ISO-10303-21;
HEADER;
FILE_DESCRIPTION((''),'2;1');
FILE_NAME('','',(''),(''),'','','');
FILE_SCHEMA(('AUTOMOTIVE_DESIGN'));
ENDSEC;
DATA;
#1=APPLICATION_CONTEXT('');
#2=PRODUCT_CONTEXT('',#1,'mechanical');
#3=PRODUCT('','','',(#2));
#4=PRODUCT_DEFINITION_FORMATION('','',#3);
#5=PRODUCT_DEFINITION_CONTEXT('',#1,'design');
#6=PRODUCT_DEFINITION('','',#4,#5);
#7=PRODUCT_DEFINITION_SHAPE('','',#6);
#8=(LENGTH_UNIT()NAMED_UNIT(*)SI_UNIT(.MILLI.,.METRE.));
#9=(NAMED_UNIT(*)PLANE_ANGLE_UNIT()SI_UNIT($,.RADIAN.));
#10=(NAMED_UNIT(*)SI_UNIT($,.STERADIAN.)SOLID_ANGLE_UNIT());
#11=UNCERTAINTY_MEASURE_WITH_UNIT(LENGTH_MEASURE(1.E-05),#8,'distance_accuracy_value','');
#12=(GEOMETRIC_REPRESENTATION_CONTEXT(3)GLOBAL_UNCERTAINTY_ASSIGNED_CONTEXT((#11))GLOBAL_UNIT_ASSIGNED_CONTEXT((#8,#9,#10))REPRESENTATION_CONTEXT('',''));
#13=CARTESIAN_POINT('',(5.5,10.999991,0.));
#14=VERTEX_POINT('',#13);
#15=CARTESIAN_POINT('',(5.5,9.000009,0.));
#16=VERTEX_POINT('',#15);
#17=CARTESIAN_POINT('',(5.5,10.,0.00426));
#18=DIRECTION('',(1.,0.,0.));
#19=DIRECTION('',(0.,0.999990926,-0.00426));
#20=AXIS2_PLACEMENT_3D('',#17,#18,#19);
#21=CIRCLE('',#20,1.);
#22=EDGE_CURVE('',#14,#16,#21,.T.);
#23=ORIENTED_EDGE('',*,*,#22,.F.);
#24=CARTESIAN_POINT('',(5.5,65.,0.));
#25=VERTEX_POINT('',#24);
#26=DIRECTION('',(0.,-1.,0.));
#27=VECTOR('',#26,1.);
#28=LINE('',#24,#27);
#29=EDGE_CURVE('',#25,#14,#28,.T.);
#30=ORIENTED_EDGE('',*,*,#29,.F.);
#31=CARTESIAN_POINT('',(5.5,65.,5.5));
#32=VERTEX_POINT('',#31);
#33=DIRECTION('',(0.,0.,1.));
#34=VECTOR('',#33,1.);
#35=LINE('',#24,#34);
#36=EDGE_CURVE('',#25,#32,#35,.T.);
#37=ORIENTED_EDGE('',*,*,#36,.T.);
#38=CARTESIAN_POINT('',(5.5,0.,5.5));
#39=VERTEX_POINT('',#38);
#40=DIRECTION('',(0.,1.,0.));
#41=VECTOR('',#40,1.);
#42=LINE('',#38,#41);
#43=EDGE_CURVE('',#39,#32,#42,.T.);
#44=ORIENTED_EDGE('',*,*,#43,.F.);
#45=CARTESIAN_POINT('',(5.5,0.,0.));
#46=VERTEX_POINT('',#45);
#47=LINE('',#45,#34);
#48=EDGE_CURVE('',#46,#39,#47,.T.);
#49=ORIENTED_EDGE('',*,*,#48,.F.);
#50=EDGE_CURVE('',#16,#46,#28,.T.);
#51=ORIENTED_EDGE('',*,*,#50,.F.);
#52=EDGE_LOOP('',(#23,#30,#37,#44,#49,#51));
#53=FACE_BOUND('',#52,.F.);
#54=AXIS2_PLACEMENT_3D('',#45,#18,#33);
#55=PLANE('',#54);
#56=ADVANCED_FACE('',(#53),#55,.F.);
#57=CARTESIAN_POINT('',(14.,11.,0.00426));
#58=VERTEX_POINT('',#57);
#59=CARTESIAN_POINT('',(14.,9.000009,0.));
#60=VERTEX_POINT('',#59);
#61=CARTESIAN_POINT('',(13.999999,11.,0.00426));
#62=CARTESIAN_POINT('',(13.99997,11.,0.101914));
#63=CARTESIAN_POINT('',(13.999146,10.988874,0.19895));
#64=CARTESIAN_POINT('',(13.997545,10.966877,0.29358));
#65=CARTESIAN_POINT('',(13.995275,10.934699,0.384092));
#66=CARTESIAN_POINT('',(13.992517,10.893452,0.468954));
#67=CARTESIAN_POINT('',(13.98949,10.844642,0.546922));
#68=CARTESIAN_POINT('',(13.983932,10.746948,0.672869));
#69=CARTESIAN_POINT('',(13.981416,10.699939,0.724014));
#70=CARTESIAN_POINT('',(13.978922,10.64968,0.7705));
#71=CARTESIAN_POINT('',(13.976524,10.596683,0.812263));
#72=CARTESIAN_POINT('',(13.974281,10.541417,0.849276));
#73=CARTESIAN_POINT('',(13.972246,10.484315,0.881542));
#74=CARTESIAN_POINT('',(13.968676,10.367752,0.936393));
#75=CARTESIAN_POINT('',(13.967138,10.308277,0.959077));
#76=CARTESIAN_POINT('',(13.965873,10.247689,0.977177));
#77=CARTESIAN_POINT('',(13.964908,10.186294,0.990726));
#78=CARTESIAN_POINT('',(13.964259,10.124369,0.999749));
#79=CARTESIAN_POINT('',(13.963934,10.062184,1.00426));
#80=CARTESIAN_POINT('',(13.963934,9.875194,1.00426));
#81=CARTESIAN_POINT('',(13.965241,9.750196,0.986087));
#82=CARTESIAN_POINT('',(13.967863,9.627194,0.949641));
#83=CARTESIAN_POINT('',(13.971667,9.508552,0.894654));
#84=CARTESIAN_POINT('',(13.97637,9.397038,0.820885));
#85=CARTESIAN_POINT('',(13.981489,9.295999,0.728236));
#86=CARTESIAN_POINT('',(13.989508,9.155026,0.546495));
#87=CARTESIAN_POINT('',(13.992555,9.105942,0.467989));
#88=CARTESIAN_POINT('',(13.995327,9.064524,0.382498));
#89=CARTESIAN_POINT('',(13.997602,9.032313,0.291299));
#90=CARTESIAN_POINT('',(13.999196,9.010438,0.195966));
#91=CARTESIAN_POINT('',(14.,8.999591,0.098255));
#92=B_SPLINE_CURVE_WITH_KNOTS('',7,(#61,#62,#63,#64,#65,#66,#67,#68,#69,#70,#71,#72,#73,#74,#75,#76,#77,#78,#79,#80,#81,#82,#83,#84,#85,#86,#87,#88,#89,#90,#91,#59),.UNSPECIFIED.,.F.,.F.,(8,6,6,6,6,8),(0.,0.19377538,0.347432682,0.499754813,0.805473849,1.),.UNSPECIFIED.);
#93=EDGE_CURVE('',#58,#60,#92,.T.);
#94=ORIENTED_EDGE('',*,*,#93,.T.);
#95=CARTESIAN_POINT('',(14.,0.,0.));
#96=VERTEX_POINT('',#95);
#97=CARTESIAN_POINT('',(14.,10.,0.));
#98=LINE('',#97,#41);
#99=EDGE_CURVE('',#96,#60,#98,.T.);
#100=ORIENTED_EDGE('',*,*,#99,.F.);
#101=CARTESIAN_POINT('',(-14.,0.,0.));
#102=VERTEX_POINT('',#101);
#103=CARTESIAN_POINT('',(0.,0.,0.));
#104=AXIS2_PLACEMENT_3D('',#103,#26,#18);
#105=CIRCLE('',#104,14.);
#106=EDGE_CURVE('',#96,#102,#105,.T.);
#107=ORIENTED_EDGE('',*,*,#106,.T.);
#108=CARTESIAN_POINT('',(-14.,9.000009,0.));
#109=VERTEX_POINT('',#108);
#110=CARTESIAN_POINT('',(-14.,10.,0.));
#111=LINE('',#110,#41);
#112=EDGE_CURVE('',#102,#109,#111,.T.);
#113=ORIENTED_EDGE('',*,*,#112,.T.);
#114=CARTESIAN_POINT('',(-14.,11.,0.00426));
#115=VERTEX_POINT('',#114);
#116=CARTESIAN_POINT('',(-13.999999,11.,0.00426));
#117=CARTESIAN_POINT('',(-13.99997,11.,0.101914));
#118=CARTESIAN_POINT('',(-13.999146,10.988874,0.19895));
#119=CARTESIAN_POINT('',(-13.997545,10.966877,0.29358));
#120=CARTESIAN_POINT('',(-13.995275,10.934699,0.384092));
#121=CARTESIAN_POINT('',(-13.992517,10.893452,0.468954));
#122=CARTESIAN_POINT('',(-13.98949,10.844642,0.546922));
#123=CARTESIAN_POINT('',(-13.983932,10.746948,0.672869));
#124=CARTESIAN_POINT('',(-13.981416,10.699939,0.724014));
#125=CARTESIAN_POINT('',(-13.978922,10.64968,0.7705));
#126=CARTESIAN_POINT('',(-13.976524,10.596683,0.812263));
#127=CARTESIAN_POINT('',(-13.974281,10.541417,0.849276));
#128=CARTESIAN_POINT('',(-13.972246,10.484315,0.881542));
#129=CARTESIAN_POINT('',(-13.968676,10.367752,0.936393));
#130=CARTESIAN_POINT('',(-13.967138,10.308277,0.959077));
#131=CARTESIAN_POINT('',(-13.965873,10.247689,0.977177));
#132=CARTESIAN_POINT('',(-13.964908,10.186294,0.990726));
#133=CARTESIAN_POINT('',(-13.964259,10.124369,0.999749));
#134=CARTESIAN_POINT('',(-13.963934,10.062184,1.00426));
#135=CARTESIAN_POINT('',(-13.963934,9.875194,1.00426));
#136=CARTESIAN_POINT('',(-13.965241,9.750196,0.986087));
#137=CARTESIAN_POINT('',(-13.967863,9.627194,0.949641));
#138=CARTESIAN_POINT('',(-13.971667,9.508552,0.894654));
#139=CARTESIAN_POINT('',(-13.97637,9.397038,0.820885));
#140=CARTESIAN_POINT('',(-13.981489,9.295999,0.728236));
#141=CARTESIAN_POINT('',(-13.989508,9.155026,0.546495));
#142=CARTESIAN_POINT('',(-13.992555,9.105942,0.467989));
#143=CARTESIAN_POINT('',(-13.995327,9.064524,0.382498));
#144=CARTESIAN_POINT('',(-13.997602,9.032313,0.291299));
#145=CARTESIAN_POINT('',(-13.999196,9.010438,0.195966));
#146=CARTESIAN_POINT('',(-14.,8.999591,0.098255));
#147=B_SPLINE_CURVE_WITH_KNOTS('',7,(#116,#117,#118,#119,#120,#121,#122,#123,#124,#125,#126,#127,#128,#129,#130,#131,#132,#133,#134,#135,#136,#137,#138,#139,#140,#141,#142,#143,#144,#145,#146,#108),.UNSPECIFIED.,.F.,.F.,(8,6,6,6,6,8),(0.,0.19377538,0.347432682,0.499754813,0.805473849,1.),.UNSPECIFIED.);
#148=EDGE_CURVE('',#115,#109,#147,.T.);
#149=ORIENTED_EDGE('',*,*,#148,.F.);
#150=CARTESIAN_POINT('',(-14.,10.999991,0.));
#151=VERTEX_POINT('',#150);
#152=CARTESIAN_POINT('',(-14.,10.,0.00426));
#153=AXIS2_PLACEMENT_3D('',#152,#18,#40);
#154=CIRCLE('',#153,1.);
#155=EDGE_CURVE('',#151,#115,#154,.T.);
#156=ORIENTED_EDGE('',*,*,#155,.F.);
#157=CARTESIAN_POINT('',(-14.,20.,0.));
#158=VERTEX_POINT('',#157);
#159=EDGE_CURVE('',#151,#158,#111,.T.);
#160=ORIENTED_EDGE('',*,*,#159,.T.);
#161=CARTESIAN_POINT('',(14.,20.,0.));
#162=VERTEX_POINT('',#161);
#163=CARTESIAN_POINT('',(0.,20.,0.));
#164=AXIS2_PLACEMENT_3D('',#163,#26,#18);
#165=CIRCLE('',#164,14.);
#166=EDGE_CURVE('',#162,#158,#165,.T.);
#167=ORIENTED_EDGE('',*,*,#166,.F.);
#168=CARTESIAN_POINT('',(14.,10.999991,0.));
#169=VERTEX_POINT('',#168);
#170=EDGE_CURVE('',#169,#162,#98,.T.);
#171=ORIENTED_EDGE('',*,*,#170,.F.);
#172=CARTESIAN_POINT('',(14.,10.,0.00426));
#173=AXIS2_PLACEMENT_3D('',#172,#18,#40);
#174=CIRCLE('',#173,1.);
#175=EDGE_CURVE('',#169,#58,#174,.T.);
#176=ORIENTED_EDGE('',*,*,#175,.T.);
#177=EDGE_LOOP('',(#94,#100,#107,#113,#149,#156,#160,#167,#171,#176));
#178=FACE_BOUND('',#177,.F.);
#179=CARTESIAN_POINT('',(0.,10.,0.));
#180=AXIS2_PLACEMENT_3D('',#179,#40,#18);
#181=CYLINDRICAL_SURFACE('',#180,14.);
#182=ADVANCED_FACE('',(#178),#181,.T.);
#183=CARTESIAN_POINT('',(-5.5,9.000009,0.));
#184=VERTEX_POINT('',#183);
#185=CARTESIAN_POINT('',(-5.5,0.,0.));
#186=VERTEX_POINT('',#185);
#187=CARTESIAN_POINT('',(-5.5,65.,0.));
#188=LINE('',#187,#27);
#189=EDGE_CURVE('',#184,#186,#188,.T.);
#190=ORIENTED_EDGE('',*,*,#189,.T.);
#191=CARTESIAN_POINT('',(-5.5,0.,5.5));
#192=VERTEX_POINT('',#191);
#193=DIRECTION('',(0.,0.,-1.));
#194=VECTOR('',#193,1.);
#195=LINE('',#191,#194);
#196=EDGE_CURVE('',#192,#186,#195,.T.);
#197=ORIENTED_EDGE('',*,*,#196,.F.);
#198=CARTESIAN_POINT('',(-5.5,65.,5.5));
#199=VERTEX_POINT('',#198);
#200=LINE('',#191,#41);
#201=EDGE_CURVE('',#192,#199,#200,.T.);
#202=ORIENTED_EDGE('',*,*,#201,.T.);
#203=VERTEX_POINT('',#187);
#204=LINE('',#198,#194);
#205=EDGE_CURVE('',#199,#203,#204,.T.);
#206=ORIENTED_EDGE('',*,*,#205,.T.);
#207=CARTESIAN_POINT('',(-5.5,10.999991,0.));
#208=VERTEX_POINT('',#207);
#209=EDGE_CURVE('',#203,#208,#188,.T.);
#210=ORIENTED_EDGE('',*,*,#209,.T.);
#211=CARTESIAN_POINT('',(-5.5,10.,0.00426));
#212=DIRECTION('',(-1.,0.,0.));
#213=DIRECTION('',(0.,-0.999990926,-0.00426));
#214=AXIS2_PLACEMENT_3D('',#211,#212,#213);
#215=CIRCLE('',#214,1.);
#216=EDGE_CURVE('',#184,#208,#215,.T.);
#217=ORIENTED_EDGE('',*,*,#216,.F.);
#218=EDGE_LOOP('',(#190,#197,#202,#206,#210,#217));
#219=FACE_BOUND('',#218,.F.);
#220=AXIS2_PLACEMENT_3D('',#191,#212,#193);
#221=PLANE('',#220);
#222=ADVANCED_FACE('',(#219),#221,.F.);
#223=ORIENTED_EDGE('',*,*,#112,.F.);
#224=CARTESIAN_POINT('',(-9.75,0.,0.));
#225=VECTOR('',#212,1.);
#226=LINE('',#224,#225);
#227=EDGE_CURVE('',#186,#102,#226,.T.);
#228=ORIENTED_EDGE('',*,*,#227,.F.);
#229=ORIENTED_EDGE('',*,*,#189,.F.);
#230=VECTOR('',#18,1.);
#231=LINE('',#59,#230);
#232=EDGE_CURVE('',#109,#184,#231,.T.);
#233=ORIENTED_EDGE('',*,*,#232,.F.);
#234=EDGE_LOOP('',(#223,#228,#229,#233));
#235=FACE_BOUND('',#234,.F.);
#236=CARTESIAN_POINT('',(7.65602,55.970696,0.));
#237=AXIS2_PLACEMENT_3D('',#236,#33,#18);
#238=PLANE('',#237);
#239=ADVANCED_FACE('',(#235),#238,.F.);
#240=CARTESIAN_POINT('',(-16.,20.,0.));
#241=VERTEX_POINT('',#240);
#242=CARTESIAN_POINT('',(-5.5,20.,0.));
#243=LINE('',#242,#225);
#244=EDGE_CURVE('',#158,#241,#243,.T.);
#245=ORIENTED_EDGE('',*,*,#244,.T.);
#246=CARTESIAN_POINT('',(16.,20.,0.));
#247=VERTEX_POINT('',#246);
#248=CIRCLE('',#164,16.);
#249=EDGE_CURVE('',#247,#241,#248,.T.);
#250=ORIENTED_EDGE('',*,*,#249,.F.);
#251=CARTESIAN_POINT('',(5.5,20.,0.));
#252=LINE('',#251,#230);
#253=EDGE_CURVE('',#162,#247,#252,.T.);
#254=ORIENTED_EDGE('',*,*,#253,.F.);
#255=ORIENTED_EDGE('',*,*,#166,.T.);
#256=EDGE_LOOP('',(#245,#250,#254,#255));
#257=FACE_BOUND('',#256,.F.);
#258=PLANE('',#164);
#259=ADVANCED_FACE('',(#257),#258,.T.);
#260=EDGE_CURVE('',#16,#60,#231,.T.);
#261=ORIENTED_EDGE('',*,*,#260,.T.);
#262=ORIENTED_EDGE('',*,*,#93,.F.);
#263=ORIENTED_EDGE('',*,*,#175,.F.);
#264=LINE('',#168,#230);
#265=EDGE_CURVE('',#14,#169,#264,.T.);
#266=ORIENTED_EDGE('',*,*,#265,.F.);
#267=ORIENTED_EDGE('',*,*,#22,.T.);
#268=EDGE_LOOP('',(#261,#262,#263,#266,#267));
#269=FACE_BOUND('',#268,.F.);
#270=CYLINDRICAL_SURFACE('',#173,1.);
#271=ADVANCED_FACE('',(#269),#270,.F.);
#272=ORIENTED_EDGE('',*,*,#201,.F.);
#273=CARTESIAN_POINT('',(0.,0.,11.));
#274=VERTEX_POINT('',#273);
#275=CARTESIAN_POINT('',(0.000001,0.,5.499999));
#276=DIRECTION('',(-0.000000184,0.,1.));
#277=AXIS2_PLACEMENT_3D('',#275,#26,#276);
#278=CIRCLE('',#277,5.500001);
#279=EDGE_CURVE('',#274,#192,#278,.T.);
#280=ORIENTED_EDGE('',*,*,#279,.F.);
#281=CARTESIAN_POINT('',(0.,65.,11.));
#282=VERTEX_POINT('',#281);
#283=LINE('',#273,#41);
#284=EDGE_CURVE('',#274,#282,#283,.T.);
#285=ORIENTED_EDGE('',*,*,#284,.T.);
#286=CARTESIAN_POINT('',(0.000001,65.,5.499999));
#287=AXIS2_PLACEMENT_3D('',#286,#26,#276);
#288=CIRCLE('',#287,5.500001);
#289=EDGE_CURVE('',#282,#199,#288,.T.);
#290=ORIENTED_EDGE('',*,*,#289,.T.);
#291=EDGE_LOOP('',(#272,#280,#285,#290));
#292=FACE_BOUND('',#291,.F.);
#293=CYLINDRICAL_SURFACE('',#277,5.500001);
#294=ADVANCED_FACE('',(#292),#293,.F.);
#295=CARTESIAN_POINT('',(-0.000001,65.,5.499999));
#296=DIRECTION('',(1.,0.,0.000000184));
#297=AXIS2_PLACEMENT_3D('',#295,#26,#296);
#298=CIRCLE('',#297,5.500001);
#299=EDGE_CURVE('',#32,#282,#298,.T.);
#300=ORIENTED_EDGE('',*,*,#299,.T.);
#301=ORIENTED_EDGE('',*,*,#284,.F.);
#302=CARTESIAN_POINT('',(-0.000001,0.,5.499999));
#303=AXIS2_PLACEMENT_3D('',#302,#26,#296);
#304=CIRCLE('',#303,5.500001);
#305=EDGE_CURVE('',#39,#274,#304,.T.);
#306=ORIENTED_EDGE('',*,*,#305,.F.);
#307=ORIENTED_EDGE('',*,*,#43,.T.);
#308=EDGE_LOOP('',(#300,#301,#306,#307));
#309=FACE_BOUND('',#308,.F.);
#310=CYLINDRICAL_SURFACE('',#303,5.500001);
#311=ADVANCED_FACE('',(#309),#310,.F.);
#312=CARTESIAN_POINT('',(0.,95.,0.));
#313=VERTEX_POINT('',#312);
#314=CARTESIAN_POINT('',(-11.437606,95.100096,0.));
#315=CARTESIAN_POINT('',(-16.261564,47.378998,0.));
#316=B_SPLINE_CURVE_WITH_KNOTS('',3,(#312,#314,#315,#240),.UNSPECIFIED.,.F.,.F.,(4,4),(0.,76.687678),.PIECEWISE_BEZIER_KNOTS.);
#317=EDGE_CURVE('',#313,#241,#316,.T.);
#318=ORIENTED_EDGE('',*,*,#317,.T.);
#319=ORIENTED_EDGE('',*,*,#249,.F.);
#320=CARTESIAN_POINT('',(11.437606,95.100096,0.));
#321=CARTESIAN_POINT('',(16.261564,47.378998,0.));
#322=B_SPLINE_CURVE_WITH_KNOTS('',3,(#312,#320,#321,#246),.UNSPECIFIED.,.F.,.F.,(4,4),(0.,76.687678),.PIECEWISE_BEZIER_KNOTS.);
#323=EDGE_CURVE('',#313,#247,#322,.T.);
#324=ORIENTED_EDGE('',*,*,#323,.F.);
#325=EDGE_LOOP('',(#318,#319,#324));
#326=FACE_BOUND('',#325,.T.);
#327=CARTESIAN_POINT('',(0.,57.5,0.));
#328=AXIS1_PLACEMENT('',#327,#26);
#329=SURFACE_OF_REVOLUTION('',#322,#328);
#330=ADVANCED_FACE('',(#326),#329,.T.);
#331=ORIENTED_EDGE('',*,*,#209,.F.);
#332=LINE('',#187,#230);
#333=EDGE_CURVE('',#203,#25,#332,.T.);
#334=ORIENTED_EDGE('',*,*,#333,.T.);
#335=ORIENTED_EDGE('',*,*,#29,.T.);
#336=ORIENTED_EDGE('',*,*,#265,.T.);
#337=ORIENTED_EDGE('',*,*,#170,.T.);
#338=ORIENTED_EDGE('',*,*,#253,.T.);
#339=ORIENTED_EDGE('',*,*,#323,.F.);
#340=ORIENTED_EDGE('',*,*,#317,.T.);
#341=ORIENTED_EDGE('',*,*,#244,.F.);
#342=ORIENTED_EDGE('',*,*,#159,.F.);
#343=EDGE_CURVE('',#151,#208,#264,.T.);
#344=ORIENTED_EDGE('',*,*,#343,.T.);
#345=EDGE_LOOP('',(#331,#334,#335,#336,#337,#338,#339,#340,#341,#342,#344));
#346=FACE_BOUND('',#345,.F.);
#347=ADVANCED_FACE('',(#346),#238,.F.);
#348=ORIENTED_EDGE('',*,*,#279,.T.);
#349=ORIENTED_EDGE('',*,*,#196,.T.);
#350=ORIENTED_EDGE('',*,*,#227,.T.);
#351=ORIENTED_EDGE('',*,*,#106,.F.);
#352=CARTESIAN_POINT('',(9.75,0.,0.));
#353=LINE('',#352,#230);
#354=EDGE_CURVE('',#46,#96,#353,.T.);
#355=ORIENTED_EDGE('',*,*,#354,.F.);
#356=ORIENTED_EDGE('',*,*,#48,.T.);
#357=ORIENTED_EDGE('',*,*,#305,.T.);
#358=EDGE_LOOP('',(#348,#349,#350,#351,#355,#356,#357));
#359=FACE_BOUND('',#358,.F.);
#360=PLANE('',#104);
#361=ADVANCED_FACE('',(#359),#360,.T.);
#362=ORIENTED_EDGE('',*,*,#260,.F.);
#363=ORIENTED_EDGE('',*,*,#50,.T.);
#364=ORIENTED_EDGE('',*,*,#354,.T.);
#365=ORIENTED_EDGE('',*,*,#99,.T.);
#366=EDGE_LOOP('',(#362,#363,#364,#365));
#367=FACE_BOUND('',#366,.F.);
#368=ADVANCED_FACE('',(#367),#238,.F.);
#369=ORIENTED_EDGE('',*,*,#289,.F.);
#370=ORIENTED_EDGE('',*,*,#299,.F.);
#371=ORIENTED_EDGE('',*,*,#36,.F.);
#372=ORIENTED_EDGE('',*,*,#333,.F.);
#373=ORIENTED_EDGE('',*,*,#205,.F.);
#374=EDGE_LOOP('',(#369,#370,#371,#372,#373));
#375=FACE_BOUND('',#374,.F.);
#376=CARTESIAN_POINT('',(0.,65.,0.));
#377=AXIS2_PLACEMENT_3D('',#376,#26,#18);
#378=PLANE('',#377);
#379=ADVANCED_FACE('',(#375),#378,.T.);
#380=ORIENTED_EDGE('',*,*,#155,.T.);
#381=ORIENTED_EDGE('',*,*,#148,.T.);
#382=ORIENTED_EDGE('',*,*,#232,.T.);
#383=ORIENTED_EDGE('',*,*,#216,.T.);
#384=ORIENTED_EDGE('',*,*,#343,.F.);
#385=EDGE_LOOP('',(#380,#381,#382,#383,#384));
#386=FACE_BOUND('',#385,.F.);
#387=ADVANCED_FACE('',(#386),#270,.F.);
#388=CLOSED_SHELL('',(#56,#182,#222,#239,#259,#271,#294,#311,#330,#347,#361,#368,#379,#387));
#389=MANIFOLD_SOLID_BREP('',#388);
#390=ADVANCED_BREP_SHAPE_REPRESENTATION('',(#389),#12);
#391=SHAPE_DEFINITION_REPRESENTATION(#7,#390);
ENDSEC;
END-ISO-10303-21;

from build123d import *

# Parameters (mm, degrees)
F0_W     = 8.5
F0_H     = 20
F2_ANGLE = -180
F3_DEPTH = 65
F5_R     = 1
F6_DEPTH = 28


with BuildPart() as f2:
    # F0 (on Top) → F2 (revolve)
    with BuildSketch(Plane.XY):
        with BuildLine():
            Line((0, 95), (0, 65))
            Line((0, 65), (5.5, 65))
            Line((5.5, 65), (5.5, 20))
            Line((5.5, 20), (14, 20))
            Line((14, 20), (16, 20))
            add(Edge.make_bspline(
                [(0, 95), (11.437606, 95.100096), (16.261564, 47.378998), (16, 20)],
                knots=[0, 0, 0, 0, 76.687678, 76.687678, 76.687678, 76.687678], degree=3))
        make_face()
        with Locations((9.75, 10)):
            Rectangle(F0_W, F0_H)
    revolve(axis=Axis((0, 57.5, 0), (0, 1, 0)), revolution_arc=F2_ANGLE)

    # F1 (on Front) → F3 (cut)
    with BuildSketch(Plane.XZ):
        with BuildLine():
            Line((0, 5.5), (0, 0))
            ThreePointArc((0, 0), (3.889087, 1.610913), (5.5, 5.5))
            Line((5.5, 5.5), (0, 5.5))
        make_face()
        with BuildLine():
            ThreePointArc((5.5, 5.5), (3.889087, 1.610913), (0, 0))
            Line((0, 0), (5.5, 0))
            Line((5.5, 0), (5.5, 5.5))
        make_face()
        with BuildLine():
            Line((-5.5, 0), (0, 0))
            ThreePointArc((0, 0), (-3.889087, 1.610913), (-5.5, 5.5))
            Line((-5.5, 5.5), (-5.5, 0))
        make_face()
        with BuildLine():
            ThreePointArc((-5.5, 5.5), (-3.889087, 1.610913), (0, 0))
            Line((0, 0), (0, 5.5))
            Line((0, 5.5), (-5.5, 5.5))
        make_face()
        with BuildLine():
            Line((-5.5, 5.5), (0, 5.5))
            Line((0, 5.5), (0, 11))
            ThreePointArc((0, 11), (-3.889087, 9.389087), (-5.5, 5.5))
        make_face()
        with BuildLine():
            Line((0, 11), (0, 5.5))
            Line((0, 5.5), (5.5, 5.5))
            ThreePointArc((5.5, 5.5), (3.889087, 9.389087), (0, 11))
        make_face()
    extrude(amount=-F3_DEPTH, mode=Mode.SUBTRACT)

    # F5 (on offset) → F6 (cut)
    with BuildSketch(Plane.YZ.offset(14)):
        with Locations((10, 0.00426)):
            Circle(F5_R)
    extrude(amount=-F6_DEPTH, mode=Mode.SUBTRACT)


solid = f2.part
